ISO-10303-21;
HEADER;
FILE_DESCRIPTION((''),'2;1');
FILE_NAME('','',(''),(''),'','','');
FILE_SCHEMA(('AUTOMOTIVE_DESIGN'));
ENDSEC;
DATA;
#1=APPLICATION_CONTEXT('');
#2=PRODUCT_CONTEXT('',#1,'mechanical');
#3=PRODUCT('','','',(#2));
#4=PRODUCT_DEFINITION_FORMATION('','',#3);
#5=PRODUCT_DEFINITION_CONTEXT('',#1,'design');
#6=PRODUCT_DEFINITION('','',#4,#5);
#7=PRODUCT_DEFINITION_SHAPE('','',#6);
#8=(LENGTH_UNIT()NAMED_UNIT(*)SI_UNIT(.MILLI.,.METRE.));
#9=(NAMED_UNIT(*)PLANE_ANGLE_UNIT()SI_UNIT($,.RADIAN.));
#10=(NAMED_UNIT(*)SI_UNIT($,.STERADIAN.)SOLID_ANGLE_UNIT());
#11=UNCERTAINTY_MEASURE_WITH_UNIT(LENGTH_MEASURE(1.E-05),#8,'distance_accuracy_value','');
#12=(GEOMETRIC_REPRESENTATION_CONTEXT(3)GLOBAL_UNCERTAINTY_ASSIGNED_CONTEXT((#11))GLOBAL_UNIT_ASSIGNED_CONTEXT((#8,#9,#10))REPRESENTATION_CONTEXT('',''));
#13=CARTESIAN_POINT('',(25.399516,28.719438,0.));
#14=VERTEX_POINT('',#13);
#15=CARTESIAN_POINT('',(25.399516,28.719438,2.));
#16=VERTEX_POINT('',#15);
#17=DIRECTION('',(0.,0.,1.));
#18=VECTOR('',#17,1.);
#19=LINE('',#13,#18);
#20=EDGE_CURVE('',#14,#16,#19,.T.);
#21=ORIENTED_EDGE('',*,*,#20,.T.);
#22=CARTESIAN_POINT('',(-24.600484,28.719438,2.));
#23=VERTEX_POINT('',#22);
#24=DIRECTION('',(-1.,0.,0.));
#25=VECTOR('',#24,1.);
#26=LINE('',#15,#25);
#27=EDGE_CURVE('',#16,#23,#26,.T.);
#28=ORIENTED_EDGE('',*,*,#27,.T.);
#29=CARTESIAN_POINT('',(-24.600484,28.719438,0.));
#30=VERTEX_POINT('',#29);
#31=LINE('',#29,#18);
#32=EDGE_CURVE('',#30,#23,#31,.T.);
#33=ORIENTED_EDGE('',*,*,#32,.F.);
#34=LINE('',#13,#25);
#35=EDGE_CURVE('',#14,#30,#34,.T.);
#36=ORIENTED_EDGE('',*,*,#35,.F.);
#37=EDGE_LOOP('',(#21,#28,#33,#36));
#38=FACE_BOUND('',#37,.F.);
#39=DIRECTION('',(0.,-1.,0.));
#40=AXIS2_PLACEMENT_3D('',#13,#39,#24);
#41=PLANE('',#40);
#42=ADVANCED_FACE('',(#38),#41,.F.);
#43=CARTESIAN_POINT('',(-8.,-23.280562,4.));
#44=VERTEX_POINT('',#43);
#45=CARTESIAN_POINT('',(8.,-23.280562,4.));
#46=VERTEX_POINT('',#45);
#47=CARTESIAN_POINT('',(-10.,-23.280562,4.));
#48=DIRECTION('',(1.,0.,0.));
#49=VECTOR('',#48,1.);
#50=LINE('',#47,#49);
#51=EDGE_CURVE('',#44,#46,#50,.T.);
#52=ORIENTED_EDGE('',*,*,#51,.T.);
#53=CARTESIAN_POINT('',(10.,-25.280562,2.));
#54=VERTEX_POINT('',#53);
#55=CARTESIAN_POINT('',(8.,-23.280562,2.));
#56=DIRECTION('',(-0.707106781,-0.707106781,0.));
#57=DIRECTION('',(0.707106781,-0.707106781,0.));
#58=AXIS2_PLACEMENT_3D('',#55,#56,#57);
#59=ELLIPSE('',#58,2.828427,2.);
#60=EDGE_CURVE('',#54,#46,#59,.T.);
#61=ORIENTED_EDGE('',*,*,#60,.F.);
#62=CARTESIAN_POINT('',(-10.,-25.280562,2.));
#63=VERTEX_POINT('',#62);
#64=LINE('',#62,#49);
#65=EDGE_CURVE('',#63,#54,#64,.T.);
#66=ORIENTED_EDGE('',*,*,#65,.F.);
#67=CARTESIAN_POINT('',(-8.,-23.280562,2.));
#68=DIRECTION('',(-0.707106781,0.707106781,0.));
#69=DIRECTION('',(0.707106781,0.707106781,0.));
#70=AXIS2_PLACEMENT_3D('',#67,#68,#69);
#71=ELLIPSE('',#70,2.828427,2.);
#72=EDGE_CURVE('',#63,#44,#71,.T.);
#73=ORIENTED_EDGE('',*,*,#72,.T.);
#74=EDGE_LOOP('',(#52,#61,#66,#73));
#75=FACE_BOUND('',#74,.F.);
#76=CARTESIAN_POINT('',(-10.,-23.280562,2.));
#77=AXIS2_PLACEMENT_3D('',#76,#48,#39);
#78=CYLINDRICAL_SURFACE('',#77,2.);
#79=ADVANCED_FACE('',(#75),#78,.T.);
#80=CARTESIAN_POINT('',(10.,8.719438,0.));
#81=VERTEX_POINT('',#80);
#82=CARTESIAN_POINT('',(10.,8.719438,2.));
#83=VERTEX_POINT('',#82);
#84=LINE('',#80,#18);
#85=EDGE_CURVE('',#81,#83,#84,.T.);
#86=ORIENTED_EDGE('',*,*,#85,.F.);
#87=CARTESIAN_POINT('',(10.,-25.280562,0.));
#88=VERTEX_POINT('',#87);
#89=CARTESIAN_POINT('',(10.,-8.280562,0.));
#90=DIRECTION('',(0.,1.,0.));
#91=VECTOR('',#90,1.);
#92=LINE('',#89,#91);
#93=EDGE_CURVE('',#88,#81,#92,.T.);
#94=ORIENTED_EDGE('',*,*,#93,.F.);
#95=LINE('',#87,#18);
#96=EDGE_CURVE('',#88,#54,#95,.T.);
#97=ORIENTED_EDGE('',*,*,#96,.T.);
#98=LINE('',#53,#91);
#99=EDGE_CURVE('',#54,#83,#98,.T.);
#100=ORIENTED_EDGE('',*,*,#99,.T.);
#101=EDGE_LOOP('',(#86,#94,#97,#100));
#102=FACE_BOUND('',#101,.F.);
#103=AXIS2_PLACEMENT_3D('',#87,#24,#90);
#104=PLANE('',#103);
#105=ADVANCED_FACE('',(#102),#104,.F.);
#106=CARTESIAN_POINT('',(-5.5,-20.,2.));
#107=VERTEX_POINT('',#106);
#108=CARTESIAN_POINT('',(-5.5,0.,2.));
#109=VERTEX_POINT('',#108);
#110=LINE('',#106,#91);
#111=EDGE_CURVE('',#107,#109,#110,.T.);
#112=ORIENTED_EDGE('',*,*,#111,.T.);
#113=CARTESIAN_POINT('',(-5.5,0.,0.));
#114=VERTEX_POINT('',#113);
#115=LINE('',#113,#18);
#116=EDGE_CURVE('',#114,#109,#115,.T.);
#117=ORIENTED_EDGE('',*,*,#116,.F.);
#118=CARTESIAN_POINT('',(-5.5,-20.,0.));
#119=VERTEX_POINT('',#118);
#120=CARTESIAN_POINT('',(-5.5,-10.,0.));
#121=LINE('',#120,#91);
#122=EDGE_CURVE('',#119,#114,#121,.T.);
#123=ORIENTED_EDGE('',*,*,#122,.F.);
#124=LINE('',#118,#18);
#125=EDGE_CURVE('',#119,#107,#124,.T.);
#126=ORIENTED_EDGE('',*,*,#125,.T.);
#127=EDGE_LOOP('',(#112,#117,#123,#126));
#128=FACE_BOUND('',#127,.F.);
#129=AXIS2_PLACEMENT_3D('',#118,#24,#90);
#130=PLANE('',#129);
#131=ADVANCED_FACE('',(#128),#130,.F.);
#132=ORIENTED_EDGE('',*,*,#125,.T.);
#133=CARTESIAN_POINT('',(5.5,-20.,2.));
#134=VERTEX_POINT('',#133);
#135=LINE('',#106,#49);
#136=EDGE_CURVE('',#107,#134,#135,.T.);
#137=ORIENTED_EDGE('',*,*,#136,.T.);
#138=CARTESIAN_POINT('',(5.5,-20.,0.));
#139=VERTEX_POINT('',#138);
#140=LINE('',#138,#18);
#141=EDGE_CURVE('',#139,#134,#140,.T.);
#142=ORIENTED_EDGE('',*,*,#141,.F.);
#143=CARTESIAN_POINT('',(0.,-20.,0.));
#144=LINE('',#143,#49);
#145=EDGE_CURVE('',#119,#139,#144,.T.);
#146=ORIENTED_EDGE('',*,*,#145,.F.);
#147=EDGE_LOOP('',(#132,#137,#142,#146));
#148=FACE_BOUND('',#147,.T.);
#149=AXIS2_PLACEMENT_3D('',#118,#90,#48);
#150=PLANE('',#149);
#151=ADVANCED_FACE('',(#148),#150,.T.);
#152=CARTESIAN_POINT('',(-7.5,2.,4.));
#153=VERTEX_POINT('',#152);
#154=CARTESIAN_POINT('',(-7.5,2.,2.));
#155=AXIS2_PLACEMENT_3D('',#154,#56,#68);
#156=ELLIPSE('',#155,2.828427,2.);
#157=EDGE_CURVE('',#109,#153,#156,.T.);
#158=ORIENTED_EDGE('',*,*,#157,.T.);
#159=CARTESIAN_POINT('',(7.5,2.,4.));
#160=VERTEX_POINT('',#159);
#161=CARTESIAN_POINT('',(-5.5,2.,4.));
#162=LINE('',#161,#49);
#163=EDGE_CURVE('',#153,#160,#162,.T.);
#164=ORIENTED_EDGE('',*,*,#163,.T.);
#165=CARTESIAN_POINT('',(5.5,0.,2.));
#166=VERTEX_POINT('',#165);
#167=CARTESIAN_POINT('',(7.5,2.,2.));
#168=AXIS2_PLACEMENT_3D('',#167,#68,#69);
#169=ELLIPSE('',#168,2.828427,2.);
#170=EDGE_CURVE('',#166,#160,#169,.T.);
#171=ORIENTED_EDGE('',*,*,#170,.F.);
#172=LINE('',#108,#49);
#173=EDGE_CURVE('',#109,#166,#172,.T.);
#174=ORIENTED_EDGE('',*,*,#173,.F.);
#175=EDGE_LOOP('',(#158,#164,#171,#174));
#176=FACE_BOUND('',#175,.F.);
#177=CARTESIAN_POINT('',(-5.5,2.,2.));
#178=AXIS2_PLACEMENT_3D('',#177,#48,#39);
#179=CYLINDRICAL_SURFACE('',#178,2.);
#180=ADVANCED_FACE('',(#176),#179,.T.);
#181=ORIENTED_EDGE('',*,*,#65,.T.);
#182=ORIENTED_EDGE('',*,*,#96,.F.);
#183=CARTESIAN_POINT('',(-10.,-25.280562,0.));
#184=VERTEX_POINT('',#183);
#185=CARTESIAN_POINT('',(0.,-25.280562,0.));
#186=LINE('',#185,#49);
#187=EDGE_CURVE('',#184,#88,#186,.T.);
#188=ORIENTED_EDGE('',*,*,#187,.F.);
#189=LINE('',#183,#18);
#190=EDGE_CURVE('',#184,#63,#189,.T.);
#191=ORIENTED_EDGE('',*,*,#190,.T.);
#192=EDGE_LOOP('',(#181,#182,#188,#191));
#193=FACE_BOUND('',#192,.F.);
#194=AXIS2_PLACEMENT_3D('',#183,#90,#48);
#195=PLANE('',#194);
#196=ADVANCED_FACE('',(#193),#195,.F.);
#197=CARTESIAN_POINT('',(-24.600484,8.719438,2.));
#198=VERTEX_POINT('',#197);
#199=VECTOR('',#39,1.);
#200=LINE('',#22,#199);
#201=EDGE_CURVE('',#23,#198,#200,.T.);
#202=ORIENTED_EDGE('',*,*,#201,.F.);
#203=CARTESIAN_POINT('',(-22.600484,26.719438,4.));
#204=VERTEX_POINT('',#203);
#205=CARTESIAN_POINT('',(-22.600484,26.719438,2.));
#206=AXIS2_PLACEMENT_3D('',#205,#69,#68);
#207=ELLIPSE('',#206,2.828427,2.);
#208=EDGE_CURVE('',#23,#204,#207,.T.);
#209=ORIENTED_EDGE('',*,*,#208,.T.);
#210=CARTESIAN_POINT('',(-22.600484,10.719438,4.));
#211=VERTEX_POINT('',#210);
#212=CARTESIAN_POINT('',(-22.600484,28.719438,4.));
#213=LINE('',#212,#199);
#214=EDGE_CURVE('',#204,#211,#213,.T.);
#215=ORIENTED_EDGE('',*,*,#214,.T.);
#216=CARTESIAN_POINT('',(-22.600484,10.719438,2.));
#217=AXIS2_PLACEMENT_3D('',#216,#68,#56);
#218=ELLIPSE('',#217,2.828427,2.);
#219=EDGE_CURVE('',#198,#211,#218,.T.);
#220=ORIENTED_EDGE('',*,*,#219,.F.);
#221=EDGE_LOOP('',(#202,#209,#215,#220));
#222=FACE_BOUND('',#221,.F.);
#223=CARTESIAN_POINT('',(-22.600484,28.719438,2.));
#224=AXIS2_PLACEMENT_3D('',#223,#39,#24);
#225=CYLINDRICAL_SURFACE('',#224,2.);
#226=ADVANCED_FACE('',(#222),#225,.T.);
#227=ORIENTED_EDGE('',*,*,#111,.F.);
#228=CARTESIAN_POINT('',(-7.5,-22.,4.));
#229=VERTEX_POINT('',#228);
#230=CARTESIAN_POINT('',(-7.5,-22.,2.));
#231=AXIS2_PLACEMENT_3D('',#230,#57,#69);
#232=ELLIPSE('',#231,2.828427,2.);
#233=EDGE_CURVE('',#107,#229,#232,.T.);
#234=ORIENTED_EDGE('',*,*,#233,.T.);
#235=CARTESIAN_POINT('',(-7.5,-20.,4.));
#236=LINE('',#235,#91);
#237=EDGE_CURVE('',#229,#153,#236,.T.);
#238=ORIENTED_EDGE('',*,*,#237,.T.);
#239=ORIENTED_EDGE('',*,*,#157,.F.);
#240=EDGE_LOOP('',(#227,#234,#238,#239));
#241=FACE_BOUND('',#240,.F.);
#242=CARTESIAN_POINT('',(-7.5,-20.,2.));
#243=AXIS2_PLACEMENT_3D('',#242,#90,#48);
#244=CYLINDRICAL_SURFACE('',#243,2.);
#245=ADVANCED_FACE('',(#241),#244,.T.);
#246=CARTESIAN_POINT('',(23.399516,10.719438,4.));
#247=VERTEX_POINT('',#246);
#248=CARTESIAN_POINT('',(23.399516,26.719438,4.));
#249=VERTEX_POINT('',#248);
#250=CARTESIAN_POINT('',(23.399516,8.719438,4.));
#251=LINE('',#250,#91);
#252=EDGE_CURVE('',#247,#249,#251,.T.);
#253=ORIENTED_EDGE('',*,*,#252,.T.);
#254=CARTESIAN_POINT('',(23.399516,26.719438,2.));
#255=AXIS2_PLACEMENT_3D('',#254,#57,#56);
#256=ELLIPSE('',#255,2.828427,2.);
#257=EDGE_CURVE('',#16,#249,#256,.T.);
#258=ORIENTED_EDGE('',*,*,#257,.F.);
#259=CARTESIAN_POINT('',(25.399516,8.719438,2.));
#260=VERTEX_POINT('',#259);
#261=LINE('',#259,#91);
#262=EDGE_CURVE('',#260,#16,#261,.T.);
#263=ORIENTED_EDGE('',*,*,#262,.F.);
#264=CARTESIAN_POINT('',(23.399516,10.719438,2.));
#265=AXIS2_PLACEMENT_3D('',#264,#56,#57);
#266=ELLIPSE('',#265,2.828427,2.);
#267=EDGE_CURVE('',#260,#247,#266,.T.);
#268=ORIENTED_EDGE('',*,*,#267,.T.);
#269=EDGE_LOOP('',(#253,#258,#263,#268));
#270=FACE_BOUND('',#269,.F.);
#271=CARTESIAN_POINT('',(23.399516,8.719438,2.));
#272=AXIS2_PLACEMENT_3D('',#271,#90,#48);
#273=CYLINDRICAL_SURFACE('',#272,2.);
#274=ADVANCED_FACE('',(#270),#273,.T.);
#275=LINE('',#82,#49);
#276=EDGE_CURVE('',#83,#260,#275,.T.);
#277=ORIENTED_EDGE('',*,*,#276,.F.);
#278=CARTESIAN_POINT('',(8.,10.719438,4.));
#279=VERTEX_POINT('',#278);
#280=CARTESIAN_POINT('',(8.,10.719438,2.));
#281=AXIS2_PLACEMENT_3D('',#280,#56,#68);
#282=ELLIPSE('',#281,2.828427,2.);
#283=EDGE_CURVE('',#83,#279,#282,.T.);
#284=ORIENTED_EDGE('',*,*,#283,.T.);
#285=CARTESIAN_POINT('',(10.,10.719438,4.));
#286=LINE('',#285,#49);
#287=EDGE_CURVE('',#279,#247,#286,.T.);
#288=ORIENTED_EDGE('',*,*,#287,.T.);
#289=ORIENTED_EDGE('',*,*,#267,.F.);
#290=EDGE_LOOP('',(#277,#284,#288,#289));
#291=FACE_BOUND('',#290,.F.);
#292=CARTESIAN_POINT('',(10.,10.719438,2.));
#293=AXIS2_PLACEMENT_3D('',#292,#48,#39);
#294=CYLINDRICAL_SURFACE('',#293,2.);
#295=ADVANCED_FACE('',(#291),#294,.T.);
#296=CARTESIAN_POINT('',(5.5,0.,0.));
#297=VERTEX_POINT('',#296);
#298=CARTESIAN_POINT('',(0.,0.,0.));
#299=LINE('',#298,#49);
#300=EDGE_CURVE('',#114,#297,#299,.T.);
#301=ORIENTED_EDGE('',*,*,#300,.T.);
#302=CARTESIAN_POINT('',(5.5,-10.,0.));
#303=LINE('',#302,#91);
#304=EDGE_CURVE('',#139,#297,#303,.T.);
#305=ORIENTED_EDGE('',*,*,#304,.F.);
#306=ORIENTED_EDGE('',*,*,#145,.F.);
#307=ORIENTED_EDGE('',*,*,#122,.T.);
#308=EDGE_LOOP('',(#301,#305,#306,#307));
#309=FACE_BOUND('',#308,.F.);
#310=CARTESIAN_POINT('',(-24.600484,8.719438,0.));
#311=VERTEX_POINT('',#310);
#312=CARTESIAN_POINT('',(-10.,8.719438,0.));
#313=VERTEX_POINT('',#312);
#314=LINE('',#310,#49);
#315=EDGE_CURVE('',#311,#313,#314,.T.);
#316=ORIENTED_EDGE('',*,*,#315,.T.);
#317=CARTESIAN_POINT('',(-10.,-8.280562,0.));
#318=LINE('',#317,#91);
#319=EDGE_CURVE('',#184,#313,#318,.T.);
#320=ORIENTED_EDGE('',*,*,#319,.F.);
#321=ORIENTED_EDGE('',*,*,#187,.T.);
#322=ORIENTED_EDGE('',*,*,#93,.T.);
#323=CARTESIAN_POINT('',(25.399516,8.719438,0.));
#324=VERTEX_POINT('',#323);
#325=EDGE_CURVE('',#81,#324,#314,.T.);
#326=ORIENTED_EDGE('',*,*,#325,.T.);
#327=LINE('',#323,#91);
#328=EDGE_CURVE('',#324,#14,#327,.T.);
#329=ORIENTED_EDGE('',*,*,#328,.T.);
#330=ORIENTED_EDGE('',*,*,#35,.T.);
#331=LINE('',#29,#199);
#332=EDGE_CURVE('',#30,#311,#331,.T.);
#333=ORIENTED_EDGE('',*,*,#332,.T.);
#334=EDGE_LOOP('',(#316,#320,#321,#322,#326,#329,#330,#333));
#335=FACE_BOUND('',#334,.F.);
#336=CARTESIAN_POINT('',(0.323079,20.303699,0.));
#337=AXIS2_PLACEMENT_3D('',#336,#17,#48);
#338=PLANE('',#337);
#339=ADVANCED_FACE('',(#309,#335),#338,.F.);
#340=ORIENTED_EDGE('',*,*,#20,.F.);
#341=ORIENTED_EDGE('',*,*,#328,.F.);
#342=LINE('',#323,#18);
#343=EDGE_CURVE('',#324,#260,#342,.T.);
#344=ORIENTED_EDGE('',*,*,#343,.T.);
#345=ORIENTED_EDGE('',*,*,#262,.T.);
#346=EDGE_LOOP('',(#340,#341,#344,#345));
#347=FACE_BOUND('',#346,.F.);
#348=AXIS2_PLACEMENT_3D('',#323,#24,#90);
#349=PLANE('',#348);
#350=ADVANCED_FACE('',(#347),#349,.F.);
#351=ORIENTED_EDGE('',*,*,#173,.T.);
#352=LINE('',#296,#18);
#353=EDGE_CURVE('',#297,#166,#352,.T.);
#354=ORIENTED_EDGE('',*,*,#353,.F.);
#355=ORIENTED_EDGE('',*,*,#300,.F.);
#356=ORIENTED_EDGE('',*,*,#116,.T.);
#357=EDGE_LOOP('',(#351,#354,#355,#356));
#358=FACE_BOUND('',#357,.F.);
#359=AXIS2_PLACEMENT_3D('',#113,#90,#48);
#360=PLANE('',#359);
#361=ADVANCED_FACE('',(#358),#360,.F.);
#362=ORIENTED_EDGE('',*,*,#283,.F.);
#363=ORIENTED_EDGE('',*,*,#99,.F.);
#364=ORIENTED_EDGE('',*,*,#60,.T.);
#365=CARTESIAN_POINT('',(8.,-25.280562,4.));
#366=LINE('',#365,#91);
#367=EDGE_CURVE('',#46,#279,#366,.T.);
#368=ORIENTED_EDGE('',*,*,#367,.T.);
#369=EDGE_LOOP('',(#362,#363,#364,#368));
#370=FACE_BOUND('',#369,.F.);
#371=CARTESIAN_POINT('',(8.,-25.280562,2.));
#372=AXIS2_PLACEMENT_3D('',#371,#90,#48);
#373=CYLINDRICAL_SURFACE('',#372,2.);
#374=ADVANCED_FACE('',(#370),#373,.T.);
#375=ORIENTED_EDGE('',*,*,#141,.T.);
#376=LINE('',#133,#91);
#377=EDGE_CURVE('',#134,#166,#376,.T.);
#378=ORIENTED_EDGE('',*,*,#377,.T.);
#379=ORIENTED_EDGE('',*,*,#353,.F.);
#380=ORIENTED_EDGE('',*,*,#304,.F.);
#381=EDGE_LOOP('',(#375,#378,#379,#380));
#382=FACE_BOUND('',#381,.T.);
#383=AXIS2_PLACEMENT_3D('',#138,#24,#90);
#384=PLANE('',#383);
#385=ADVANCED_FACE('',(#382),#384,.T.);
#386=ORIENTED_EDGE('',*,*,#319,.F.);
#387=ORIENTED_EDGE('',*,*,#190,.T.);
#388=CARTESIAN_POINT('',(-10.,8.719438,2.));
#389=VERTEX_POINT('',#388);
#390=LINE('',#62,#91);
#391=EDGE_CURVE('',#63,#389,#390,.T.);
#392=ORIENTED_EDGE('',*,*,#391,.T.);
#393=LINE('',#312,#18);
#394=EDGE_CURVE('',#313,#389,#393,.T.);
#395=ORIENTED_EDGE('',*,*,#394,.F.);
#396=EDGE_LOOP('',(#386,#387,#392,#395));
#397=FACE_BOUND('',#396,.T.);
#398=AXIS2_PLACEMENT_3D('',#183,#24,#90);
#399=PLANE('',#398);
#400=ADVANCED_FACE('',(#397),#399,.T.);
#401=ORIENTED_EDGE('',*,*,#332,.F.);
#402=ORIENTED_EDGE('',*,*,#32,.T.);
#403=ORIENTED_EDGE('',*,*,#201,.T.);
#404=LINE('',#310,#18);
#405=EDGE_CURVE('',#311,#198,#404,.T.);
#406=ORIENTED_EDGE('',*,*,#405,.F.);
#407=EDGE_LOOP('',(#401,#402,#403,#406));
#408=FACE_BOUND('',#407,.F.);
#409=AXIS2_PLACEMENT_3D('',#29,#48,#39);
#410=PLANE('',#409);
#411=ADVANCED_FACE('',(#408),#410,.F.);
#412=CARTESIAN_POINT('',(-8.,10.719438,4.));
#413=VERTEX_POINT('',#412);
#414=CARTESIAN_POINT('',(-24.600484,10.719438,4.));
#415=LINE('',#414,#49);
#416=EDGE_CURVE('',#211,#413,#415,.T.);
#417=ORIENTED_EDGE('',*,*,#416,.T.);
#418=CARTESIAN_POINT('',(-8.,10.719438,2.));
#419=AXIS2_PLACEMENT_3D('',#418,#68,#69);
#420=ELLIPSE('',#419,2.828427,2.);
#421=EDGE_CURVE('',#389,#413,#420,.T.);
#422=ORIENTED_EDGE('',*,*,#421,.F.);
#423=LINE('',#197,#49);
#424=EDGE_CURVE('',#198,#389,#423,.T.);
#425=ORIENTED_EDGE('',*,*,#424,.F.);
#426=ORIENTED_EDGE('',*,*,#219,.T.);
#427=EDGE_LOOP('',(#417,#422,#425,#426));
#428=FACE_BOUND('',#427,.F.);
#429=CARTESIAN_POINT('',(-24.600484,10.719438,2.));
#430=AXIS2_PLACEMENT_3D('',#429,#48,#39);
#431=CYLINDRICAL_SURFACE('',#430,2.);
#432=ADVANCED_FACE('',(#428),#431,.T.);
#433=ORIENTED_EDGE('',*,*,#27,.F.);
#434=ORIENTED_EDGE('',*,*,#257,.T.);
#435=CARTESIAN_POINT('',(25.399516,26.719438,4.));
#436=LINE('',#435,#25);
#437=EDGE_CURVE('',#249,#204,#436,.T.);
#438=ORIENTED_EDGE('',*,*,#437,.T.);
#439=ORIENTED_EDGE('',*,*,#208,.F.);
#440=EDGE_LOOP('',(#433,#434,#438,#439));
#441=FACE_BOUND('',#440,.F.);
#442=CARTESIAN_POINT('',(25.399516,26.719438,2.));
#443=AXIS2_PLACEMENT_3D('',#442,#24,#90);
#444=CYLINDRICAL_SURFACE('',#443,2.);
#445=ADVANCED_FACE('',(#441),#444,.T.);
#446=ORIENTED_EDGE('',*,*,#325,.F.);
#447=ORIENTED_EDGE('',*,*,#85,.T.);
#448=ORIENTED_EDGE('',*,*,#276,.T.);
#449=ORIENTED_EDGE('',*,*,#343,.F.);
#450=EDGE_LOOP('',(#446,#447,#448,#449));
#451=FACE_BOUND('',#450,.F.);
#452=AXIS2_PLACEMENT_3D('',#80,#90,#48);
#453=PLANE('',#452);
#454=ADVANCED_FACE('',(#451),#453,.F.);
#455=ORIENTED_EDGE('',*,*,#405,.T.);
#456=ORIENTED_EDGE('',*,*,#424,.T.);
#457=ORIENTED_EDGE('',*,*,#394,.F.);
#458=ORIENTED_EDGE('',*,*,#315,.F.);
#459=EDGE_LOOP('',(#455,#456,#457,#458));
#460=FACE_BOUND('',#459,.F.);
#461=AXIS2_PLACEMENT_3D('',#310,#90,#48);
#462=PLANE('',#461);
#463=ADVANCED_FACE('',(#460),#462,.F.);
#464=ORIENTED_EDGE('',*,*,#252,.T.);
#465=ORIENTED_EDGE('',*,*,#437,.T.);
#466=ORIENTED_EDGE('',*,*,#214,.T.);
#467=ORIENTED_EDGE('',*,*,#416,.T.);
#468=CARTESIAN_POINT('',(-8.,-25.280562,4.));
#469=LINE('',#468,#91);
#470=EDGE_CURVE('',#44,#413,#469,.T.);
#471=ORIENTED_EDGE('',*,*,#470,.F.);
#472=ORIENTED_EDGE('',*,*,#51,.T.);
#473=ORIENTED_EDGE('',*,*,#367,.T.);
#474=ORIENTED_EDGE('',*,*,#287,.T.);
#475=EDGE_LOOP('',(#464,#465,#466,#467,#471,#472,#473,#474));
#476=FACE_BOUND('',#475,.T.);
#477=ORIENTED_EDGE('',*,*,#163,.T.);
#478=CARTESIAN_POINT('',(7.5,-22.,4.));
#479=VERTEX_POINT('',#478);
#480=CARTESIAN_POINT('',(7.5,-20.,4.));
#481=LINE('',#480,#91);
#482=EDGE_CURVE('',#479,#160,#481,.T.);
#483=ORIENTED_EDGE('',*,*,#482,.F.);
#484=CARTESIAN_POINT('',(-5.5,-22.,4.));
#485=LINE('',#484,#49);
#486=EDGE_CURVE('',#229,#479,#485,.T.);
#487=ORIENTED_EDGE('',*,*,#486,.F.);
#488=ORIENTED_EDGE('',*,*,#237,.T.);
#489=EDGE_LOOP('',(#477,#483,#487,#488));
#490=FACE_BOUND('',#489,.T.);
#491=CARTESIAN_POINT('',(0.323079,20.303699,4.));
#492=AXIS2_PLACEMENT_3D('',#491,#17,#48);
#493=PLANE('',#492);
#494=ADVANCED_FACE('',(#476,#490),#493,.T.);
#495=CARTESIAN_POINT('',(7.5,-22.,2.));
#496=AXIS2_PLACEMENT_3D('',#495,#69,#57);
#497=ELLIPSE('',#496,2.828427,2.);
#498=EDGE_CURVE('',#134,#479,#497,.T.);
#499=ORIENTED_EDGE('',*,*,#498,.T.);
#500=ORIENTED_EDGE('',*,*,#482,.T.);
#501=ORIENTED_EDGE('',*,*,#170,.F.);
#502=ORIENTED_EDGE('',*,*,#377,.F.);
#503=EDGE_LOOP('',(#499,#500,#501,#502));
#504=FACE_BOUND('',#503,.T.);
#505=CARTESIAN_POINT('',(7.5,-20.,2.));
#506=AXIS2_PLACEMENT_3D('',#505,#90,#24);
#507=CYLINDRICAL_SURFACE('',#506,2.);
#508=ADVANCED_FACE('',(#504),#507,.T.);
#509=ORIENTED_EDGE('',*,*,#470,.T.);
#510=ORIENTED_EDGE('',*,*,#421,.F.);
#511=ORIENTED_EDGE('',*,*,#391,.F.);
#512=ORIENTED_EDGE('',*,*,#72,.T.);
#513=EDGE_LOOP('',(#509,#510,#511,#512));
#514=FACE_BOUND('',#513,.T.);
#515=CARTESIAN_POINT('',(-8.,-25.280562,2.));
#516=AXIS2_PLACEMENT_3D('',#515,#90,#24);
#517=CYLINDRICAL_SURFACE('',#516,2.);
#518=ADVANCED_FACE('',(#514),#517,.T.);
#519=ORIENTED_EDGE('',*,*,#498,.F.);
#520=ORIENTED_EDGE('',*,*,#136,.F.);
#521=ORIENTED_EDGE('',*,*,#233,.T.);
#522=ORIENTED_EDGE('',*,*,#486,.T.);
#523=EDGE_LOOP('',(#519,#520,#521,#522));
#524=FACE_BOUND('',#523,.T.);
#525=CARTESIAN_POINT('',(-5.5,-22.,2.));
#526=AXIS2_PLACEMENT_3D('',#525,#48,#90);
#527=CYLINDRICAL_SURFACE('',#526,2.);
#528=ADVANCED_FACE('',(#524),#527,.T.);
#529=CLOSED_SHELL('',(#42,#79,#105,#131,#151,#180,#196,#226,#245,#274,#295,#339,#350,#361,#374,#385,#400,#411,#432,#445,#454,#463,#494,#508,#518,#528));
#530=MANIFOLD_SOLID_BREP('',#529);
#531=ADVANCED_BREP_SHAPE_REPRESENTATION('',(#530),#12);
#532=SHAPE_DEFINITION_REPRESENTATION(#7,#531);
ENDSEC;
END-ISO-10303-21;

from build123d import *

# Parameters (mm, degrees)
F0_W     = 20
F0_H     = 16.561124
F0_H_2   = 34
F0_W_2   = 11
F0_H_3   = 20
F1_DEPTH = 4
F2_R     = 2


with BuildPart() as f1:
    # F0 (on Top) → F1 (new body)
    with BuildSketch(Plane.XY):
        Polygon((-24.600484, 8.719438), (-10, 8.719438), (-10, 25.280562), (10, 25.280562), (10, 8.719438), (25.399516, 8.719438), (25.399516, 28.719438), (-24.600484, 28.719438), align=None)
        with Locations((0, 17)):
            Rectangle(F0_W, F0_H)
        with Locations((0, -8.280562)):
            Rectangle(F0_W, F0_H_2)
        with Locations((0, -10)):
            Rectangle(F0_W_2, F0_H_3, mode=Mode.SUBTRACT)
    extrude(amount=F1_DEPTH)

    # F2
    f2_edges = [f1.edges().sort_by_distance(p)[0] for p in [
        (0.399516, 28.719438, 4),
        (-24.600484, 18.719438, 4),
        (-17.300242, 8.719438, 4),
        (-10, -8.280562, 4),
        (0, -25.280562, 4),
        (10, -8.280562, 4),
        (17.699758, 8.719438, 4),
        (25.399516, 18.719438, 4),
        (0, -20, 4),
        (-5.5, -10, 4),
        (0, 0, 4),
        (5.5, -10, 4),
    ]]
    fillet(f2_edges, radius=F2_R)


solid = f1.part
